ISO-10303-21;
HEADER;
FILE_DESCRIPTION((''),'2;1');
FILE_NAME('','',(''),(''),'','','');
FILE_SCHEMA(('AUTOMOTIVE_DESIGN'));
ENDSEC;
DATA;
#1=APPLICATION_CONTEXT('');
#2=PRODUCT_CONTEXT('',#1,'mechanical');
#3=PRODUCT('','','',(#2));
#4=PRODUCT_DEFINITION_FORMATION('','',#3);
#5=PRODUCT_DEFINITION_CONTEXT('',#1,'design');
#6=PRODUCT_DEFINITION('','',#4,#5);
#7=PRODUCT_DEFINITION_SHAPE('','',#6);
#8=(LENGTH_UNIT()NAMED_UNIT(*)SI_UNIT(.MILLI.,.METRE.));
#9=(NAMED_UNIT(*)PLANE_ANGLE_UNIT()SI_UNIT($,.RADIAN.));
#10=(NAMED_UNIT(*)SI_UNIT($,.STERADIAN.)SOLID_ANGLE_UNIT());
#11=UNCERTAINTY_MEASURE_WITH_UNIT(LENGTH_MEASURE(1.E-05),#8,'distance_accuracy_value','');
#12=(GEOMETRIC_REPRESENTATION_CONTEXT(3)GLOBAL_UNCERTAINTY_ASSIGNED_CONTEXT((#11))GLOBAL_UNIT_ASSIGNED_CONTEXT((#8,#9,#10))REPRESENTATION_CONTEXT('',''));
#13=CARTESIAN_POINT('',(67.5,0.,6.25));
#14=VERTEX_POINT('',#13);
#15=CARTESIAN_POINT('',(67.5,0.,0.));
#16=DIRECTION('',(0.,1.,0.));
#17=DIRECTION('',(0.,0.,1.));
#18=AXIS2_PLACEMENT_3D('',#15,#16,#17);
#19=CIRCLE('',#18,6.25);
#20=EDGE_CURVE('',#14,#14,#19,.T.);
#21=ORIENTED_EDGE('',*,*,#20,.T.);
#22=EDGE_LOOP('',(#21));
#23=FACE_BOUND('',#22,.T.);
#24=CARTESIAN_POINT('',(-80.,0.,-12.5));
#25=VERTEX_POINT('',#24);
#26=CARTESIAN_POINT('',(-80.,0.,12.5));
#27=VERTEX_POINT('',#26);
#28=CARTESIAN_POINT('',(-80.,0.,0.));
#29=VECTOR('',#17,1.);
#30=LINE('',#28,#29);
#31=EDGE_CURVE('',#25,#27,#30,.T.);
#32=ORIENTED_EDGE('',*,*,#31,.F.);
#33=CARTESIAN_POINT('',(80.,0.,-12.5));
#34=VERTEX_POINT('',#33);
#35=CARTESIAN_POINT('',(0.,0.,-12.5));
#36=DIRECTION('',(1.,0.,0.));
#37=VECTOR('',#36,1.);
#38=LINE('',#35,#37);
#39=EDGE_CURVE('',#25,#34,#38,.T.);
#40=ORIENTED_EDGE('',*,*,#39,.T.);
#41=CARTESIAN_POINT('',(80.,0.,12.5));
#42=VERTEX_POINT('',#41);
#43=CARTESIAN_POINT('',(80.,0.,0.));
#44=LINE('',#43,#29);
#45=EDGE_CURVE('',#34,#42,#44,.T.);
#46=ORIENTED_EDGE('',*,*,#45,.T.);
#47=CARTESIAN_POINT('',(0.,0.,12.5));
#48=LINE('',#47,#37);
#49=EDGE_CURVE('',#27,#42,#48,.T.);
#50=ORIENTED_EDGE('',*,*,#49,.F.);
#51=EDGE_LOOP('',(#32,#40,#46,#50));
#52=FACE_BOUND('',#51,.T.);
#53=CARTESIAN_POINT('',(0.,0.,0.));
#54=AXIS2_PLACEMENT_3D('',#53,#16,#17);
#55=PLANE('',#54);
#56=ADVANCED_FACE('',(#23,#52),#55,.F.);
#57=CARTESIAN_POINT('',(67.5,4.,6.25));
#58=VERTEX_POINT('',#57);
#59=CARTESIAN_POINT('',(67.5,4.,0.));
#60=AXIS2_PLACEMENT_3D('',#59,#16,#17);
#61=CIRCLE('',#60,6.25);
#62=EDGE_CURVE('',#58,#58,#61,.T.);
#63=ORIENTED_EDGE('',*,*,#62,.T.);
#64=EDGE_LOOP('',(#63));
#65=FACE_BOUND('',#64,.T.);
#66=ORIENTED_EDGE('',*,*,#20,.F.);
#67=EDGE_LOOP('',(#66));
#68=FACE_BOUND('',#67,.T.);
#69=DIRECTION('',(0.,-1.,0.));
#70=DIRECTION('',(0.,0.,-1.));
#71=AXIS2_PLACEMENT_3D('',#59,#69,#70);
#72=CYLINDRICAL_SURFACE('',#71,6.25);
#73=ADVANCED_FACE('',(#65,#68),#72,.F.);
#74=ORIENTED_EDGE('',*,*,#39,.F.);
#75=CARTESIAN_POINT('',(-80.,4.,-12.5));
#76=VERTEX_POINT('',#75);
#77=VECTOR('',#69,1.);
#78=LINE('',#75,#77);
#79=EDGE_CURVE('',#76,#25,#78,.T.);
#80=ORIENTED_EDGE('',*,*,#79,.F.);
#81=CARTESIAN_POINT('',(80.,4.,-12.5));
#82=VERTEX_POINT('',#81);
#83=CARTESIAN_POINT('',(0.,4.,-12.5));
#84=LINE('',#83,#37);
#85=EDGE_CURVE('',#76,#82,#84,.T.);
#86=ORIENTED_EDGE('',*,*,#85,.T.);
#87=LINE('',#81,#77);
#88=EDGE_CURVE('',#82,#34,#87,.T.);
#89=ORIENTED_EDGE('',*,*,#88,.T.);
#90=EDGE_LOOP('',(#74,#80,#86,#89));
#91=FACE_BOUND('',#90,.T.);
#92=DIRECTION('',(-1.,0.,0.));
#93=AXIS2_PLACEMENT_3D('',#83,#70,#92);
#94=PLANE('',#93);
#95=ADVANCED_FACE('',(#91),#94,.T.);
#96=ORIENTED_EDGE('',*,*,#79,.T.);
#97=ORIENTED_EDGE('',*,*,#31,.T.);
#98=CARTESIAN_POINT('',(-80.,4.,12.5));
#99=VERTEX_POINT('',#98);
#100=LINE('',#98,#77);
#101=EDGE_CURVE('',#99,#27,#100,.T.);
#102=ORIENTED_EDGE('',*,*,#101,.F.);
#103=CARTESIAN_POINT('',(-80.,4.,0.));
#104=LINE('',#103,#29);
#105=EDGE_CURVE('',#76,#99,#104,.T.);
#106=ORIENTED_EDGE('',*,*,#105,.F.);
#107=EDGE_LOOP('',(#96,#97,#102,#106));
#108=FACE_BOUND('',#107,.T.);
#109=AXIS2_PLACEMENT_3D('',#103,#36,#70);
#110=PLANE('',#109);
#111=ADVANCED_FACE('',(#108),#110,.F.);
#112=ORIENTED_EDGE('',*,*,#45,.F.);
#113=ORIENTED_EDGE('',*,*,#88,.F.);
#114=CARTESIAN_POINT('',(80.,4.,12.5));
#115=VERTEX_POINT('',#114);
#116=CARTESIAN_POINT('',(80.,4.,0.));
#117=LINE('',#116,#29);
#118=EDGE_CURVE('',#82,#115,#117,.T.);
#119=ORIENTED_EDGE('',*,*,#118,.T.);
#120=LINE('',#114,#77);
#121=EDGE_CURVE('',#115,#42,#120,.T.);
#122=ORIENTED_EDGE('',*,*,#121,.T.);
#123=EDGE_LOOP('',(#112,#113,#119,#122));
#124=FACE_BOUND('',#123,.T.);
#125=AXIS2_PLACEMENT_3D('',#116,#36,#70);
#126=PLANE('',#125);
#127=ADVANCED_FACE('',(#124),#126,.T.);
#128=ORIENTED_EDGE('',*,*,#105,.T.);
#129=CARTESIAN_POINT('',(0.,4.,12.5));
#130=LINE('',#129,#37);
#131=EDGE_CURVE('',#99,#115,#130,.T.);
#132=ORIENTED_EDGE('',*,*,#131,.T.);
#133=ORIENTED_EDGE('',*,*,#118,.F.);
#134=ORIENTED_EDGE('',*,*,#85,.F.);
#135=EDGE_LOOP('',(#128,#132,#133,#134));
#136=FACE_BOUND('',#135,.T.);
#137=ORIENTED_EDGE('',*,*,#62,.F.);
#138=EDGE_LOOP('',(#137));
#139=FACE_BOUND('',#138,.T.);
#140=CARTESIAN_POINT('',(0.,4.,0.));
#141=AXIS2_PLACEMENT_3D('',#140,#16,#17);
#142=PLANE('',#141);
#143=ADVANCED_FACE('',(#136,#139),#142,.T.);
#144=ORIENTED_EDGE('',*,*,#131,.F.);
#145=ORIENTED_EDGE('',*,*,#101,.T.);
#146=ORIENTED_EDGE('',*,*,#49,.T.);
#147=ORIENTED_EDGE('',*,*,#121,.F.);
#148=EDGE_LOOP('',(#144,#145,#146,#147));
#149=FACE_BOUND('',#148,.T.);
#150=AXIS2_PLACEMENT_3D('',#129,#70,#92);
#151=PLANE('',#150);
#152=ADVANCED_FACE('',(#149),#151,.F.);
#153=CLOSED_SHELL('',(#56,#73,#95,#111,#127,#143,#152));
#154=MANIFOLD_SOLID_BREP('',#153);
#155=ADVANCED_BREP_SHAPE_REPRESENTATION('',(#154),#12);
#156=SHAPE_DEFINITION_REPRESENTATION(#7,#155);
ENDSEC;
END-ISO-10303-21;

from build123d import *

# Parameters (mm, degrees)
SKETCH1_W           = 160
SKETCH1_H           = 25
SKETCH1_R           = 6.25
BOSS_EXTRUDE1_DEPTH = 4


with BuildPart() as part:
    # Sketch1 → Boss-Extrude1 (new body)
    with BuildSketch(Plane(origin=(0, 0, 0), x_dir=(1, 0, 0), z_dir=(0, 1, 0))):
        Rectangle(SKETCH1_W, SKETCH1_H)
        with Locations((67.5, 0)):
            Circle(SKETCH1_R, mode=Mode.SUBTRACT)
    extrude(amount=BOSS_EXTRUDE1_DEPTH)


solid = part.part
